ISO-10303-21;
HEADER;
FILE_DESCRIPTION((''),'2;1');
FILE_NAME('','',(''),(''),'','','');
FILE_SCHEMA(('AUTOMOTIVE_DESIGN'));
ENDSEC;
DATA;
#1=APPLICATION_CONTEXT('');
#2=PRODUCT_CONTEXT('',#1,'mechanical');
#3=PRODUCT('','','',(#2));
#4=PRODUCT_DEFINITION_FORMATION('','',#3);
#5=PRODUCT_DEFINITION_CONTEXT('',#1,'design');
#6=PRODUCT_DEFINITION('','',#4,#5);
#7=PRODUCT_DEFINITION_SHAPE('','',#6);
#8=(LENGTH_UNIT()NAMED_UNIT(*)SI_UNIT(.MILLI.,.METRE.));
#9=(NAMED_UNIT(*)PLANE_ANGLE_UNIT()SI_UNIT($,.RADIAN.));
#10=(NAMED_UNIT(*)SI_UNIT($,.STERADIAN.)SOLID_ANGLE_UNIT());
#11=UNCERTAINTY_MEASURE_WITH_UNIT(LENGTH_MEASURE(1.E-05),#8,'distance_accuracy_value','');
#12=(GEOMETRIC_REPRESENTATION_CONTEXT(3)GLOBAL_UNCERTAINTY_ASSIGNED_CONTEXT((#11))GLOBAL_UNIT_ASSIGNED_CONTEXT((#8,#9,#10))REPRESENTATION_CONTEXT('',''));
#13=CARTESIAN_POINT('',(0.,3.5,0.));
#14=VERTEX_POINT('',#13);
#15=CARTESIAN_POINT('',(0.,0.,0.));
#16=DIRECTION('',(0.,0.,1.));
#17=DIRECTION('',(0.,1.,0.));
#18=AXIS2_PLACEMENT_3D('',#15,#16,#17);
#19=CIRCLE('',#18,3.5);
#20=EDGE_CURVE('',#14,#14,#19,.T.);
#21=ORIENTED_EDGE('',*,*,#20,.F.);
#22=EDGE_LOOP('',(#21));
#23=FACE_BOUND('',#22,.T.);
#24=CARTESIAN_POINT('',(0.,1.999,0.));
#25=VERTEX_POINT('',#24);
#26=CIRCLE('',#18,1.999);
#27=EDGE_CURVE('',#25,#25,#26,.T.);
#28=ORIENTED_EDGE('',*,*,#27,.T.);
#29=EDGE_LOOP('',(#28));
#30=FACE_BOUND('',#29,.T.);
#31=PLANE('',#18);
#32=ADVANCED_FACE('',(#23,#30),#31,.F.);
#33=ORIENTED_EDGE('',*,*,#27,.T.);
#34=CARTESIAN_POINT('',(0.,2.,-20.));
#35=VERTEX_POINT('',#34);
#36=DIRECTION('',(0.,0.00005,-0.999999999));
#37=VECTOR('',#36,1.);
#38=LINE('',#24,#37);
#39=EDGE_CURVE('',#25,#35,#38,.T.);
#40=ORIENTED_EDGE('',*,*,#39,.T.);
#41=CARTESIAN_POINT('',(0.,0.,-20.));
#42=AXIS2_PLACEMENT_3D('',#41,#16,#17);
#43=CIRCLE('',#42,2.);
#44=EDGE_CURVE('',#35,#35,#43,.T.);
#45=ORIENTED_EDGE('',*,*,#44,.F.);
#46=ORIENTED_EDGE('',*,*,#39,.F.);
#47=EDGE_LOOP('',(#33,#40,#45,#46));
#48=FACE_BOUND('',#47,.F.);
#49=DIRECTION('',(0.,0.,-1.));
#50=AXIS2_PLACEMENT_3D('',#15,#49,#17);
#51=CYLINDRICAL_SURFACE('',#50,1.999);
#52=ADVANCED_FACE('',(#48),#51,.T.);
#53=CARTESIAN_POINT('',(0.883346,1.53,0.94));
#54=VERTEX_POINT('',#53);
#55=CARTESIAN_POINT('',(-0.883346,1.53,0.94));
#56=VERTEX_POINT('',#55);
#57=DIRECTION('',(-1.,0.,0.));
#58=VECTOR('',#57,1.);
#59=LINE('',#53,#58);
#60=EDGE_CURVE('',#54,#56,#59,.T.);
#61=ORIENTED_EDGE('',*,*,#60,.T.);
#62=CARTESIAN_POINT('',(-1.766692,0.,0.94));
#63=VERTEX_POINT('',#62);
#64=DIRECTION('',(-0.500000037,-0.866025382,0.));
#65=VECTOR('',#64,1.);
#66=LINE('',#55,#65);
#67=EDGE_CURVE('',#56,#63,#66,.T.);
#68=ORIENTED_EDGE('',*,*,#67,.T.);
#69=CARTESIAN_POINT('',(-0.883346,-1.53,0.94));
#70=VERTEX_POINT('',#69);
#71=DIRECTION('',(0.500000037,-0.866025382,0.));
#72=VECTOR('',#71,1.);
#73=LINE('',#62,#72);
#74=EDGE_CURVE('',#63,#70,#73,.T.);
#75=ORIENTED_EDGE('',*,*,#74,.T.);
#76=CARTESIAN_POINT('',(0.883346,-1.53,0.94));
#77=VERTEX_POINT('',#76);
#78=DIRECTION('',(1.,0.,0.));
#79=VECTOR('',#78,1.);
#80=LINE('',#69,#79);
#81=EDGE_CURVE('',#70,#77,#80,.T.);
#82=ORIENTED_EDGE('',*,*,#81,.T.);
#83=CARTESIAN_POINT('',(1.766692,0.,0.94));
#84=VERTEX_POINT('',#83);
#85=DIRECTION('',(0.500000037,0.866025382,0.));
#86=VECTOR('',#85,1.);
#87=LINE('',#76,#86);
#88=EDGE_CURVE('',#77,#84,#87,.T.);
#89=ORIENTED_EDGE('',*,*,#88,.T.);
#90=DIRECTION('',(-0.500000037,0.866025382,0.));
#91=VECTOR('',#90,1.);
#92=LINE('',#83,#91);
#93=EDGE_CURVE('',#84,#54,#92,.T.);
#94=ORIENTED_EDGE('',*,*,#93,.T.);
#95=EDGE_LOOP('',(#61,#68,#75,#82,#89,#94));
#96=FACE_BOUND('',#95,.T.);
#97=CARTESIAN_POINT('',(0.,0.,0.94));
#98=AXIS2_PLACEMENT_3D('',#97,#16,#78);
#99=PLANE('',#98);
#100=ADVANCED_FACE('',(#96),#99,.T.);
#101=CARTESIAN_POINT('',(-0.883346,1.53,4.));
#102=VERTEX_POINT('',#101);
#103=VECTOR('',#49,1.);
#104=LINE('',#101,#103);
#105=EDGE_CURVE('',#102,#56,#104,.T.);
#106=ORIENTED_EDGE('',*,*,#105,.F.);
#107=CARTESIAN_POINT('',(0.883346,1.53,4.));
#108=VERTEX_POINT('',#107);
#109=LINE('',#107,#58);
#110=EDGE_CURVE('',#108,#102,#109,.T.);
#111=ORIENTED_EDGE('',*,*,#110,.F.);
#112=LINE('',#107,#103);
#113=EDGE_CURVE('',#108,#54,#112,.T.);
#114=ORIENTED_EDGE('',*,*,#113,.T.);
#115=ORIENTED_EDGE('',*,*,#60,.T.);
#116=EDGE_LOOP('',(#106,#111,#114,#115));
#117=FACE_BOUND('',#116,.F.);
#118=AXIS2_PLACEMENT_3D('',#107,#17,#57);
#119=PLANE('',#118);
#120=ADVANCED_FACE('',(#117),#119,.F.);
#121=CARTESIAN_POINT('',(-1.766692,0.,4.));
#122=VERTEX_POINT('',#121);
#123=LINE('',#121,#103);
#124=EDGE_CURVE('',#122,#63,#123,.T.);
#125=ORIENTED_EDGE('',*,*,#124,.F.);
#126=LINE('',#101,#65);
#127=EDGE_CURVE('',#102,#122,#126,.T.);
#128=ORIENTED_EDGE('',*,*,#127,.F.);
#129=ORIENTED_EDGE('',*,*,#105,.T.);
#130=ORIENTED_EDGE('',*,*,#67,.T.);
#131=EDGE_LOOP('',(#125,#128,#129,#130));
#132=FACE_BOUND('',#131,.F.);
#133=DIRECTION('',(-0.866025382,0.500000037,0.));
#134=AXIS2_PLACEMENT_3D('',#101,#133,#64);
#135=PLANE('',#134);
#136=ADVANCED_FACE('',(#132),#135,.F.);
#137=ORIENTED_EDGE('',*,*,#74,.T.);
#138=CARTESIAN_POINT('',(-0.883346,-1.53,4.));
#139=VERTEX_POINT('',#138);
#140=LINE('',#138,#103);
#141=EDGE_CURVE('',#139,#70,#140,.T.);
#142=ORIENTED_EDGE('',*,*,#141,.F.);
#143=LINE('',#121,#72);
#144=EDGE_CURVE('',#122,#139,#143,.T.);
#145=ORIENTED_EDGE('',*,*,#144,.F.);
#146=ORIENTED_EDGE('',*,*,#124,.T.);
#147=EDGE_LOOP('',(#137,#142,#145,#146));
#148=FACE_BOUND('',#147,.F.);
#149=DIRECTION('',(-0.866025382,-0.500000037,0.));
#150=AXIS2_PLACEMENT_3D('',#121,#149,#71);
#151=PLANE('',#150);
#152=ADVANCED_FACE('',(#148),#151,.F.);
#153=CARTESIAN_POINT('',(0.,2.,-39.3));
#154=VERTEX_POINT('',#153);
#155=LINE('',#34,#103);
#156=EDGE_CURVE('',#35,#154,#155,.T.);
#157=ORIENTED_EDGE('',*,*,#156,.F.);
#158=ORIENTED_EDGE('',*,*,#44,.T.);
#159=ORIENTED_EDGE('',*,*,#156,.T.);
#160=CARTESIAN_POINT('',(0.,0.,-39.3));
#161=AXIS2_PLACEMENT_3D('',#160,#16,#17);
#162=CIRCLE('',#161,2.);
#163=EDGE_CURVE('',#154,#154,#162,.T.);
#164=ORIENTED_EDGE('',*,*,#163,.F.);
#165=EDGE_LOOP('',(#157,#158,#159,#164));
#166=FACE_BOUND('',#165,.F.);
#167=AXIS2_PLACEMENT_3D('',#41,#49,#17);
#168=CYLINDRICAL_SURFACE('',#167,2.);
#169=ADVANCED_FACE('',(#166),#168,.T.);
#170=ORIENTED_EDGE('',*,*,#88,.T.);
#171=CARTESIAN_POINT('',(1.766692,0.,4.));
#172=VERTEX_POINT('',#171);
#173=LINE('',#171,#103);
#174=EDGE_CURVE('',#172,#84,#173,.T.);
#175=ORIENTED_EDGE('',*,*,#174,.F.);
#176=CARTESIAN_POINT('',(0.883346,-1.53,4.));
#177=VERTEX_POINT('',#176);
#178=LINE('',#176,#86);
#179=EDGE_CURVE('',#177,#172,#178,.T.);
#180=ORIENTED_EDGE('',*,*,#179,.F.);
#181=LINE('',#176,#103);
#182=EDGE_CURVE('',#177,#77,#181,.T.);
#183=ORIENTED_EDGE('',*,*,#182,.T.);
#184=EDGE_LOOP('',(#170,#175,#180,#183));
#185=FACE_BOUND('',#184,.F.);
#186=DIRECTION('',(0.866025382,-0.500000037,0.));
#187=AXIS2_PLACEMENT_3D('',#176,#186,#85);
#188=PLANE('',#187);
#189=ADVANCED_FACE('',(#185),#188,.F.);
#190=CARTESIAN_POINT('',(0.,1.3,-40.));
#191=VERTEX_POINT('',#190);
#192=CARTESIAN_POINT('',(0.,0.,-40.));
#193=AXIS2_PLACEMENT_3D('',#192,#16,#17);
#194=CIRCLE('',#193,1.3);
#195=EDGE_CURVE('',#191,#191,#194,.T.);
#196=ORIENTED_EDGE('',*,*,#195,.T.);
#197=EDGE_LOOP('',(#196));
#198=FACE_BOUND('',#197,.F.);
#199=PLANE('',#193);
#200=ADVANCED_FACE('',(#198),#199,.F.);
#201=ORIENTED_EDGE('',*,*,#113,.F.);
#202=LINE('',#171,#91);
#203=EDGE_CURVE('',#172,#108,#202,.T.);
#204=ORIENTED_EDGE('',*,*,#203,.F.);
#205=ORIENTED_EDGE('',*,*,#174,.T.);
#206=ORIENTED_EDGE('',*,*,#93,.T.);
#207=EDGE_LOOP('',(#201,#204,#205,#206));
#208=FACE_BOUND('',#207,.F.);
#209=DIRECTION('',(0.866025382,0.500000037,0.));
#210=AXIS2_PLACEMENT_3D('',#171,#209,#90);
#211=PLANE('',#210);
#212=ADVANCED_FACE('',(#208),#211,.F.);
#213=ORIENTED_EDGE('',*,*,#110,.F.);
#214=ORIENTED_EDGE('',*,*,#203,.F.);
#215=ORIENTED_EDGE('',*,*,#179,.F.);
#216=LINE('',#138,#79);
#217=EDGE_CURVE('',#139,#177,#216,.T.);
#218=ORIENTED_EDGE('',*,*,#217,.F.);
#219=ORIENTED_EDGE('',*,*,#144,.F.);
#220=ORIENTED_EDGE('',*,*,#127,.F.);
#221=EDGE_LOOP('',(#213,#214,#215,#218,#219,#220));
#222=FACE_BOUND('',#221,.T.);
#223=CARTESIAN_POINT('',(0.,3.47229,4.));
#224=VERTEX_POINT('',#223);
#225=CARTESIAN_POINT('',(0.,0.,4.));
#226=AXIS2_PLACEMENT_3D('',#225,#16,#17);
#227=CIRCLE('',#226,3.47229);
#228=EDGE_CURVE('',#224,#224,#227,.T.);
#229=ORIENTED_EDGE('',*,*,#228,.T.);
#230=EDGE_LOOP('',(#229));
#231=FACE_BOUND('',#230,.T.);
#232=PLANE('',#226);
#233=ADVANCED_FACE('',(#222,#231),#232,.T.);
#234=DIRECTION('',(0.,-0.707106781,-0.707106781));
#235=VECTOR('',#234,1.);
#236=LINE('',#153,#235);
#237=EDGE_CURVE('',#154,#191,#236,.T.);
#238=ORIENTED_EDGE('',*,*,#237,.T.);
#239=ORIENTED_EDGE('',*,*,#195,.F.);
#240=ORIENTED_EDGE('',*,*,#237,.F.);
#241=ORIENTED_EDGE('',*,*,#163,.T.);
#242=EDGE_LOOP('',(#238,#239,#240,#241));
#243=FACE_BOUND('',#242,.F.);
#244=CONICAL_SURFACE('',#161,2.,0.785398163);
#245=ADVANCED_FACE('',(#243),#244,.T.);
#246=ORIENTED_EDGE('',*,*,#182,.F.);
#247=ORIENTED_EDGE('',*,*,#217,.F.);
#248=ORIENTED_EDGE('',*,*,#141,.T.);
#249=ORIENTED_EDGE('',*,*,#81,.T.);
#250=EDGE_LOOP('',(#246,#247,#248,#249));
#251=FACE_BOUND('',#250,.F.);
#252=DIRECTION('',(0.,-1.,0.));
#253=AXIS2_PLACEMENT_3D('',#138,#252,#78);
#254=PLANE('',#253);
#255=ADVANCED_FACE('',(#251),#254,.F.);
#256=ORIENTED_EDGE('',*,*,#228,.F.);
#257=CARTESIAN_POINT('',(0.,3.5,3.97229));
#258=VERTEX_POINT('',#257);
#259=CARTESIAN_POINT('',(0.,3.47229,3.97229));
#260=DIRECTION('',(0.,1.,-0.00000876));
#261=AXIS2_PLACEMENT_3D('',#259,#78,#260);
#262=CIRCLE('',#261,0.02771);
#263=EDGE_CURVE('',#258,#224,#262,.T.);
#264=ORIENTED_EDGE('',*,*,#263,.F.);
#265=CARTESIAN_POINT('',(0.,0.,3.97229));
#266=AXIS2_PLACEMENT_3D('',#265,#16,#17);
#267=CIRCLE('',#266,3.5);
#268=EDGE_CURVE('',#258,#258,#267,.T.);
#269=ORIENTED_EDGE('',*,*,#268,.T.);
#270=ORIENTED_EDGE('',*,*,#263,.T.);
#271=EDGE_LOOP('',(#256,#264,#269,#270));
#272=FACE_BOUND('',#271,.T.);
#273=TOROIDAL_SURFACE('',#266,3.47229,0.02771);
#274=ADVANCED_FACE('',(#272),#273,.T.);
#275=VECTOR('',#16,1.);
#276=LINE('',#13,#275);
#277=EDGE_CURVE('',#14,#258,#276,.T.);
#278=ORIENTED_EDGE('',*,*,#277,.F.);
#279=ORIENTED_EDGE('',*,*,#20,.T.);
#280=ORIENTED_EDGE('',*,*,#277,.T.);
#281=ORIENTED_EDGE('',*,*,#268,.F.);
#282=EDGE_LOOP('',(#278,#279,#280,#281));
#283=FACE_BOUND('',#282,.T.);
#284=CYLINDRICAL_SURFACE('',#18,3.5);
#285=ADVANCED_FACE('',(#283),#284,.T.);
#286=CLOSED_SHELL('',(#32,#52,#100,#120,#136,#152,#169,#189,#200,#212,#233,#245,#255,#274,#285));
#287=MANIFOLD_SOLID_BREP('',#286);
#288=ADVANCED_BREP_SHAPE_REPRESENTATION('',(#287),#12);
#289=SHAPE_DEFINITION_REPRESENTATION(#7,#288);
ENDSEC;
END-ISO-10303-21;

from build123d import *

# Parameters (mm, degrees)
POCKET_DEPTH = 3.06


with BuildPart() as part:
    # Sketch → Revolve (revolve)
    with BuildSketch(Plane.YZ):
        with BuildLine():
            Line((1.999, 0), (3.5, 0))
            Line((3.5, 0), (3.5, 3.97229))
            ThreePointArc((3.5, 3.97229), (3.491884, 3.991884), (3.47229, 4))
            Line((3.47229, 4), (0, 4))
            Line((0, -40), (0, 4))
            Line((1.3, -40), (0, -40))
            Line((2, -39.3), (1.3, -40))
            Line((2, -20), (2, -39.3))
            Line((1.999, 0), (2, -20))
        make_face()
    revolve(axis=Axis((0, 0, 0), (0, 0, 1)))

    # Sketch001 → Pocket (cut)
    with BuildSketch(Plane.XY.offset(4)):
        Polygon((1.766692, 0), (0.883346, 1.53), (-0.883346, 1.53), (-1.766692, 0), (-0.883346, -1.53), (0.883346, -1.53), align=None)
    extrude(amount=-POCKET_DEPTH, mode=Mode.SUBTRACT)


solid = part.part
